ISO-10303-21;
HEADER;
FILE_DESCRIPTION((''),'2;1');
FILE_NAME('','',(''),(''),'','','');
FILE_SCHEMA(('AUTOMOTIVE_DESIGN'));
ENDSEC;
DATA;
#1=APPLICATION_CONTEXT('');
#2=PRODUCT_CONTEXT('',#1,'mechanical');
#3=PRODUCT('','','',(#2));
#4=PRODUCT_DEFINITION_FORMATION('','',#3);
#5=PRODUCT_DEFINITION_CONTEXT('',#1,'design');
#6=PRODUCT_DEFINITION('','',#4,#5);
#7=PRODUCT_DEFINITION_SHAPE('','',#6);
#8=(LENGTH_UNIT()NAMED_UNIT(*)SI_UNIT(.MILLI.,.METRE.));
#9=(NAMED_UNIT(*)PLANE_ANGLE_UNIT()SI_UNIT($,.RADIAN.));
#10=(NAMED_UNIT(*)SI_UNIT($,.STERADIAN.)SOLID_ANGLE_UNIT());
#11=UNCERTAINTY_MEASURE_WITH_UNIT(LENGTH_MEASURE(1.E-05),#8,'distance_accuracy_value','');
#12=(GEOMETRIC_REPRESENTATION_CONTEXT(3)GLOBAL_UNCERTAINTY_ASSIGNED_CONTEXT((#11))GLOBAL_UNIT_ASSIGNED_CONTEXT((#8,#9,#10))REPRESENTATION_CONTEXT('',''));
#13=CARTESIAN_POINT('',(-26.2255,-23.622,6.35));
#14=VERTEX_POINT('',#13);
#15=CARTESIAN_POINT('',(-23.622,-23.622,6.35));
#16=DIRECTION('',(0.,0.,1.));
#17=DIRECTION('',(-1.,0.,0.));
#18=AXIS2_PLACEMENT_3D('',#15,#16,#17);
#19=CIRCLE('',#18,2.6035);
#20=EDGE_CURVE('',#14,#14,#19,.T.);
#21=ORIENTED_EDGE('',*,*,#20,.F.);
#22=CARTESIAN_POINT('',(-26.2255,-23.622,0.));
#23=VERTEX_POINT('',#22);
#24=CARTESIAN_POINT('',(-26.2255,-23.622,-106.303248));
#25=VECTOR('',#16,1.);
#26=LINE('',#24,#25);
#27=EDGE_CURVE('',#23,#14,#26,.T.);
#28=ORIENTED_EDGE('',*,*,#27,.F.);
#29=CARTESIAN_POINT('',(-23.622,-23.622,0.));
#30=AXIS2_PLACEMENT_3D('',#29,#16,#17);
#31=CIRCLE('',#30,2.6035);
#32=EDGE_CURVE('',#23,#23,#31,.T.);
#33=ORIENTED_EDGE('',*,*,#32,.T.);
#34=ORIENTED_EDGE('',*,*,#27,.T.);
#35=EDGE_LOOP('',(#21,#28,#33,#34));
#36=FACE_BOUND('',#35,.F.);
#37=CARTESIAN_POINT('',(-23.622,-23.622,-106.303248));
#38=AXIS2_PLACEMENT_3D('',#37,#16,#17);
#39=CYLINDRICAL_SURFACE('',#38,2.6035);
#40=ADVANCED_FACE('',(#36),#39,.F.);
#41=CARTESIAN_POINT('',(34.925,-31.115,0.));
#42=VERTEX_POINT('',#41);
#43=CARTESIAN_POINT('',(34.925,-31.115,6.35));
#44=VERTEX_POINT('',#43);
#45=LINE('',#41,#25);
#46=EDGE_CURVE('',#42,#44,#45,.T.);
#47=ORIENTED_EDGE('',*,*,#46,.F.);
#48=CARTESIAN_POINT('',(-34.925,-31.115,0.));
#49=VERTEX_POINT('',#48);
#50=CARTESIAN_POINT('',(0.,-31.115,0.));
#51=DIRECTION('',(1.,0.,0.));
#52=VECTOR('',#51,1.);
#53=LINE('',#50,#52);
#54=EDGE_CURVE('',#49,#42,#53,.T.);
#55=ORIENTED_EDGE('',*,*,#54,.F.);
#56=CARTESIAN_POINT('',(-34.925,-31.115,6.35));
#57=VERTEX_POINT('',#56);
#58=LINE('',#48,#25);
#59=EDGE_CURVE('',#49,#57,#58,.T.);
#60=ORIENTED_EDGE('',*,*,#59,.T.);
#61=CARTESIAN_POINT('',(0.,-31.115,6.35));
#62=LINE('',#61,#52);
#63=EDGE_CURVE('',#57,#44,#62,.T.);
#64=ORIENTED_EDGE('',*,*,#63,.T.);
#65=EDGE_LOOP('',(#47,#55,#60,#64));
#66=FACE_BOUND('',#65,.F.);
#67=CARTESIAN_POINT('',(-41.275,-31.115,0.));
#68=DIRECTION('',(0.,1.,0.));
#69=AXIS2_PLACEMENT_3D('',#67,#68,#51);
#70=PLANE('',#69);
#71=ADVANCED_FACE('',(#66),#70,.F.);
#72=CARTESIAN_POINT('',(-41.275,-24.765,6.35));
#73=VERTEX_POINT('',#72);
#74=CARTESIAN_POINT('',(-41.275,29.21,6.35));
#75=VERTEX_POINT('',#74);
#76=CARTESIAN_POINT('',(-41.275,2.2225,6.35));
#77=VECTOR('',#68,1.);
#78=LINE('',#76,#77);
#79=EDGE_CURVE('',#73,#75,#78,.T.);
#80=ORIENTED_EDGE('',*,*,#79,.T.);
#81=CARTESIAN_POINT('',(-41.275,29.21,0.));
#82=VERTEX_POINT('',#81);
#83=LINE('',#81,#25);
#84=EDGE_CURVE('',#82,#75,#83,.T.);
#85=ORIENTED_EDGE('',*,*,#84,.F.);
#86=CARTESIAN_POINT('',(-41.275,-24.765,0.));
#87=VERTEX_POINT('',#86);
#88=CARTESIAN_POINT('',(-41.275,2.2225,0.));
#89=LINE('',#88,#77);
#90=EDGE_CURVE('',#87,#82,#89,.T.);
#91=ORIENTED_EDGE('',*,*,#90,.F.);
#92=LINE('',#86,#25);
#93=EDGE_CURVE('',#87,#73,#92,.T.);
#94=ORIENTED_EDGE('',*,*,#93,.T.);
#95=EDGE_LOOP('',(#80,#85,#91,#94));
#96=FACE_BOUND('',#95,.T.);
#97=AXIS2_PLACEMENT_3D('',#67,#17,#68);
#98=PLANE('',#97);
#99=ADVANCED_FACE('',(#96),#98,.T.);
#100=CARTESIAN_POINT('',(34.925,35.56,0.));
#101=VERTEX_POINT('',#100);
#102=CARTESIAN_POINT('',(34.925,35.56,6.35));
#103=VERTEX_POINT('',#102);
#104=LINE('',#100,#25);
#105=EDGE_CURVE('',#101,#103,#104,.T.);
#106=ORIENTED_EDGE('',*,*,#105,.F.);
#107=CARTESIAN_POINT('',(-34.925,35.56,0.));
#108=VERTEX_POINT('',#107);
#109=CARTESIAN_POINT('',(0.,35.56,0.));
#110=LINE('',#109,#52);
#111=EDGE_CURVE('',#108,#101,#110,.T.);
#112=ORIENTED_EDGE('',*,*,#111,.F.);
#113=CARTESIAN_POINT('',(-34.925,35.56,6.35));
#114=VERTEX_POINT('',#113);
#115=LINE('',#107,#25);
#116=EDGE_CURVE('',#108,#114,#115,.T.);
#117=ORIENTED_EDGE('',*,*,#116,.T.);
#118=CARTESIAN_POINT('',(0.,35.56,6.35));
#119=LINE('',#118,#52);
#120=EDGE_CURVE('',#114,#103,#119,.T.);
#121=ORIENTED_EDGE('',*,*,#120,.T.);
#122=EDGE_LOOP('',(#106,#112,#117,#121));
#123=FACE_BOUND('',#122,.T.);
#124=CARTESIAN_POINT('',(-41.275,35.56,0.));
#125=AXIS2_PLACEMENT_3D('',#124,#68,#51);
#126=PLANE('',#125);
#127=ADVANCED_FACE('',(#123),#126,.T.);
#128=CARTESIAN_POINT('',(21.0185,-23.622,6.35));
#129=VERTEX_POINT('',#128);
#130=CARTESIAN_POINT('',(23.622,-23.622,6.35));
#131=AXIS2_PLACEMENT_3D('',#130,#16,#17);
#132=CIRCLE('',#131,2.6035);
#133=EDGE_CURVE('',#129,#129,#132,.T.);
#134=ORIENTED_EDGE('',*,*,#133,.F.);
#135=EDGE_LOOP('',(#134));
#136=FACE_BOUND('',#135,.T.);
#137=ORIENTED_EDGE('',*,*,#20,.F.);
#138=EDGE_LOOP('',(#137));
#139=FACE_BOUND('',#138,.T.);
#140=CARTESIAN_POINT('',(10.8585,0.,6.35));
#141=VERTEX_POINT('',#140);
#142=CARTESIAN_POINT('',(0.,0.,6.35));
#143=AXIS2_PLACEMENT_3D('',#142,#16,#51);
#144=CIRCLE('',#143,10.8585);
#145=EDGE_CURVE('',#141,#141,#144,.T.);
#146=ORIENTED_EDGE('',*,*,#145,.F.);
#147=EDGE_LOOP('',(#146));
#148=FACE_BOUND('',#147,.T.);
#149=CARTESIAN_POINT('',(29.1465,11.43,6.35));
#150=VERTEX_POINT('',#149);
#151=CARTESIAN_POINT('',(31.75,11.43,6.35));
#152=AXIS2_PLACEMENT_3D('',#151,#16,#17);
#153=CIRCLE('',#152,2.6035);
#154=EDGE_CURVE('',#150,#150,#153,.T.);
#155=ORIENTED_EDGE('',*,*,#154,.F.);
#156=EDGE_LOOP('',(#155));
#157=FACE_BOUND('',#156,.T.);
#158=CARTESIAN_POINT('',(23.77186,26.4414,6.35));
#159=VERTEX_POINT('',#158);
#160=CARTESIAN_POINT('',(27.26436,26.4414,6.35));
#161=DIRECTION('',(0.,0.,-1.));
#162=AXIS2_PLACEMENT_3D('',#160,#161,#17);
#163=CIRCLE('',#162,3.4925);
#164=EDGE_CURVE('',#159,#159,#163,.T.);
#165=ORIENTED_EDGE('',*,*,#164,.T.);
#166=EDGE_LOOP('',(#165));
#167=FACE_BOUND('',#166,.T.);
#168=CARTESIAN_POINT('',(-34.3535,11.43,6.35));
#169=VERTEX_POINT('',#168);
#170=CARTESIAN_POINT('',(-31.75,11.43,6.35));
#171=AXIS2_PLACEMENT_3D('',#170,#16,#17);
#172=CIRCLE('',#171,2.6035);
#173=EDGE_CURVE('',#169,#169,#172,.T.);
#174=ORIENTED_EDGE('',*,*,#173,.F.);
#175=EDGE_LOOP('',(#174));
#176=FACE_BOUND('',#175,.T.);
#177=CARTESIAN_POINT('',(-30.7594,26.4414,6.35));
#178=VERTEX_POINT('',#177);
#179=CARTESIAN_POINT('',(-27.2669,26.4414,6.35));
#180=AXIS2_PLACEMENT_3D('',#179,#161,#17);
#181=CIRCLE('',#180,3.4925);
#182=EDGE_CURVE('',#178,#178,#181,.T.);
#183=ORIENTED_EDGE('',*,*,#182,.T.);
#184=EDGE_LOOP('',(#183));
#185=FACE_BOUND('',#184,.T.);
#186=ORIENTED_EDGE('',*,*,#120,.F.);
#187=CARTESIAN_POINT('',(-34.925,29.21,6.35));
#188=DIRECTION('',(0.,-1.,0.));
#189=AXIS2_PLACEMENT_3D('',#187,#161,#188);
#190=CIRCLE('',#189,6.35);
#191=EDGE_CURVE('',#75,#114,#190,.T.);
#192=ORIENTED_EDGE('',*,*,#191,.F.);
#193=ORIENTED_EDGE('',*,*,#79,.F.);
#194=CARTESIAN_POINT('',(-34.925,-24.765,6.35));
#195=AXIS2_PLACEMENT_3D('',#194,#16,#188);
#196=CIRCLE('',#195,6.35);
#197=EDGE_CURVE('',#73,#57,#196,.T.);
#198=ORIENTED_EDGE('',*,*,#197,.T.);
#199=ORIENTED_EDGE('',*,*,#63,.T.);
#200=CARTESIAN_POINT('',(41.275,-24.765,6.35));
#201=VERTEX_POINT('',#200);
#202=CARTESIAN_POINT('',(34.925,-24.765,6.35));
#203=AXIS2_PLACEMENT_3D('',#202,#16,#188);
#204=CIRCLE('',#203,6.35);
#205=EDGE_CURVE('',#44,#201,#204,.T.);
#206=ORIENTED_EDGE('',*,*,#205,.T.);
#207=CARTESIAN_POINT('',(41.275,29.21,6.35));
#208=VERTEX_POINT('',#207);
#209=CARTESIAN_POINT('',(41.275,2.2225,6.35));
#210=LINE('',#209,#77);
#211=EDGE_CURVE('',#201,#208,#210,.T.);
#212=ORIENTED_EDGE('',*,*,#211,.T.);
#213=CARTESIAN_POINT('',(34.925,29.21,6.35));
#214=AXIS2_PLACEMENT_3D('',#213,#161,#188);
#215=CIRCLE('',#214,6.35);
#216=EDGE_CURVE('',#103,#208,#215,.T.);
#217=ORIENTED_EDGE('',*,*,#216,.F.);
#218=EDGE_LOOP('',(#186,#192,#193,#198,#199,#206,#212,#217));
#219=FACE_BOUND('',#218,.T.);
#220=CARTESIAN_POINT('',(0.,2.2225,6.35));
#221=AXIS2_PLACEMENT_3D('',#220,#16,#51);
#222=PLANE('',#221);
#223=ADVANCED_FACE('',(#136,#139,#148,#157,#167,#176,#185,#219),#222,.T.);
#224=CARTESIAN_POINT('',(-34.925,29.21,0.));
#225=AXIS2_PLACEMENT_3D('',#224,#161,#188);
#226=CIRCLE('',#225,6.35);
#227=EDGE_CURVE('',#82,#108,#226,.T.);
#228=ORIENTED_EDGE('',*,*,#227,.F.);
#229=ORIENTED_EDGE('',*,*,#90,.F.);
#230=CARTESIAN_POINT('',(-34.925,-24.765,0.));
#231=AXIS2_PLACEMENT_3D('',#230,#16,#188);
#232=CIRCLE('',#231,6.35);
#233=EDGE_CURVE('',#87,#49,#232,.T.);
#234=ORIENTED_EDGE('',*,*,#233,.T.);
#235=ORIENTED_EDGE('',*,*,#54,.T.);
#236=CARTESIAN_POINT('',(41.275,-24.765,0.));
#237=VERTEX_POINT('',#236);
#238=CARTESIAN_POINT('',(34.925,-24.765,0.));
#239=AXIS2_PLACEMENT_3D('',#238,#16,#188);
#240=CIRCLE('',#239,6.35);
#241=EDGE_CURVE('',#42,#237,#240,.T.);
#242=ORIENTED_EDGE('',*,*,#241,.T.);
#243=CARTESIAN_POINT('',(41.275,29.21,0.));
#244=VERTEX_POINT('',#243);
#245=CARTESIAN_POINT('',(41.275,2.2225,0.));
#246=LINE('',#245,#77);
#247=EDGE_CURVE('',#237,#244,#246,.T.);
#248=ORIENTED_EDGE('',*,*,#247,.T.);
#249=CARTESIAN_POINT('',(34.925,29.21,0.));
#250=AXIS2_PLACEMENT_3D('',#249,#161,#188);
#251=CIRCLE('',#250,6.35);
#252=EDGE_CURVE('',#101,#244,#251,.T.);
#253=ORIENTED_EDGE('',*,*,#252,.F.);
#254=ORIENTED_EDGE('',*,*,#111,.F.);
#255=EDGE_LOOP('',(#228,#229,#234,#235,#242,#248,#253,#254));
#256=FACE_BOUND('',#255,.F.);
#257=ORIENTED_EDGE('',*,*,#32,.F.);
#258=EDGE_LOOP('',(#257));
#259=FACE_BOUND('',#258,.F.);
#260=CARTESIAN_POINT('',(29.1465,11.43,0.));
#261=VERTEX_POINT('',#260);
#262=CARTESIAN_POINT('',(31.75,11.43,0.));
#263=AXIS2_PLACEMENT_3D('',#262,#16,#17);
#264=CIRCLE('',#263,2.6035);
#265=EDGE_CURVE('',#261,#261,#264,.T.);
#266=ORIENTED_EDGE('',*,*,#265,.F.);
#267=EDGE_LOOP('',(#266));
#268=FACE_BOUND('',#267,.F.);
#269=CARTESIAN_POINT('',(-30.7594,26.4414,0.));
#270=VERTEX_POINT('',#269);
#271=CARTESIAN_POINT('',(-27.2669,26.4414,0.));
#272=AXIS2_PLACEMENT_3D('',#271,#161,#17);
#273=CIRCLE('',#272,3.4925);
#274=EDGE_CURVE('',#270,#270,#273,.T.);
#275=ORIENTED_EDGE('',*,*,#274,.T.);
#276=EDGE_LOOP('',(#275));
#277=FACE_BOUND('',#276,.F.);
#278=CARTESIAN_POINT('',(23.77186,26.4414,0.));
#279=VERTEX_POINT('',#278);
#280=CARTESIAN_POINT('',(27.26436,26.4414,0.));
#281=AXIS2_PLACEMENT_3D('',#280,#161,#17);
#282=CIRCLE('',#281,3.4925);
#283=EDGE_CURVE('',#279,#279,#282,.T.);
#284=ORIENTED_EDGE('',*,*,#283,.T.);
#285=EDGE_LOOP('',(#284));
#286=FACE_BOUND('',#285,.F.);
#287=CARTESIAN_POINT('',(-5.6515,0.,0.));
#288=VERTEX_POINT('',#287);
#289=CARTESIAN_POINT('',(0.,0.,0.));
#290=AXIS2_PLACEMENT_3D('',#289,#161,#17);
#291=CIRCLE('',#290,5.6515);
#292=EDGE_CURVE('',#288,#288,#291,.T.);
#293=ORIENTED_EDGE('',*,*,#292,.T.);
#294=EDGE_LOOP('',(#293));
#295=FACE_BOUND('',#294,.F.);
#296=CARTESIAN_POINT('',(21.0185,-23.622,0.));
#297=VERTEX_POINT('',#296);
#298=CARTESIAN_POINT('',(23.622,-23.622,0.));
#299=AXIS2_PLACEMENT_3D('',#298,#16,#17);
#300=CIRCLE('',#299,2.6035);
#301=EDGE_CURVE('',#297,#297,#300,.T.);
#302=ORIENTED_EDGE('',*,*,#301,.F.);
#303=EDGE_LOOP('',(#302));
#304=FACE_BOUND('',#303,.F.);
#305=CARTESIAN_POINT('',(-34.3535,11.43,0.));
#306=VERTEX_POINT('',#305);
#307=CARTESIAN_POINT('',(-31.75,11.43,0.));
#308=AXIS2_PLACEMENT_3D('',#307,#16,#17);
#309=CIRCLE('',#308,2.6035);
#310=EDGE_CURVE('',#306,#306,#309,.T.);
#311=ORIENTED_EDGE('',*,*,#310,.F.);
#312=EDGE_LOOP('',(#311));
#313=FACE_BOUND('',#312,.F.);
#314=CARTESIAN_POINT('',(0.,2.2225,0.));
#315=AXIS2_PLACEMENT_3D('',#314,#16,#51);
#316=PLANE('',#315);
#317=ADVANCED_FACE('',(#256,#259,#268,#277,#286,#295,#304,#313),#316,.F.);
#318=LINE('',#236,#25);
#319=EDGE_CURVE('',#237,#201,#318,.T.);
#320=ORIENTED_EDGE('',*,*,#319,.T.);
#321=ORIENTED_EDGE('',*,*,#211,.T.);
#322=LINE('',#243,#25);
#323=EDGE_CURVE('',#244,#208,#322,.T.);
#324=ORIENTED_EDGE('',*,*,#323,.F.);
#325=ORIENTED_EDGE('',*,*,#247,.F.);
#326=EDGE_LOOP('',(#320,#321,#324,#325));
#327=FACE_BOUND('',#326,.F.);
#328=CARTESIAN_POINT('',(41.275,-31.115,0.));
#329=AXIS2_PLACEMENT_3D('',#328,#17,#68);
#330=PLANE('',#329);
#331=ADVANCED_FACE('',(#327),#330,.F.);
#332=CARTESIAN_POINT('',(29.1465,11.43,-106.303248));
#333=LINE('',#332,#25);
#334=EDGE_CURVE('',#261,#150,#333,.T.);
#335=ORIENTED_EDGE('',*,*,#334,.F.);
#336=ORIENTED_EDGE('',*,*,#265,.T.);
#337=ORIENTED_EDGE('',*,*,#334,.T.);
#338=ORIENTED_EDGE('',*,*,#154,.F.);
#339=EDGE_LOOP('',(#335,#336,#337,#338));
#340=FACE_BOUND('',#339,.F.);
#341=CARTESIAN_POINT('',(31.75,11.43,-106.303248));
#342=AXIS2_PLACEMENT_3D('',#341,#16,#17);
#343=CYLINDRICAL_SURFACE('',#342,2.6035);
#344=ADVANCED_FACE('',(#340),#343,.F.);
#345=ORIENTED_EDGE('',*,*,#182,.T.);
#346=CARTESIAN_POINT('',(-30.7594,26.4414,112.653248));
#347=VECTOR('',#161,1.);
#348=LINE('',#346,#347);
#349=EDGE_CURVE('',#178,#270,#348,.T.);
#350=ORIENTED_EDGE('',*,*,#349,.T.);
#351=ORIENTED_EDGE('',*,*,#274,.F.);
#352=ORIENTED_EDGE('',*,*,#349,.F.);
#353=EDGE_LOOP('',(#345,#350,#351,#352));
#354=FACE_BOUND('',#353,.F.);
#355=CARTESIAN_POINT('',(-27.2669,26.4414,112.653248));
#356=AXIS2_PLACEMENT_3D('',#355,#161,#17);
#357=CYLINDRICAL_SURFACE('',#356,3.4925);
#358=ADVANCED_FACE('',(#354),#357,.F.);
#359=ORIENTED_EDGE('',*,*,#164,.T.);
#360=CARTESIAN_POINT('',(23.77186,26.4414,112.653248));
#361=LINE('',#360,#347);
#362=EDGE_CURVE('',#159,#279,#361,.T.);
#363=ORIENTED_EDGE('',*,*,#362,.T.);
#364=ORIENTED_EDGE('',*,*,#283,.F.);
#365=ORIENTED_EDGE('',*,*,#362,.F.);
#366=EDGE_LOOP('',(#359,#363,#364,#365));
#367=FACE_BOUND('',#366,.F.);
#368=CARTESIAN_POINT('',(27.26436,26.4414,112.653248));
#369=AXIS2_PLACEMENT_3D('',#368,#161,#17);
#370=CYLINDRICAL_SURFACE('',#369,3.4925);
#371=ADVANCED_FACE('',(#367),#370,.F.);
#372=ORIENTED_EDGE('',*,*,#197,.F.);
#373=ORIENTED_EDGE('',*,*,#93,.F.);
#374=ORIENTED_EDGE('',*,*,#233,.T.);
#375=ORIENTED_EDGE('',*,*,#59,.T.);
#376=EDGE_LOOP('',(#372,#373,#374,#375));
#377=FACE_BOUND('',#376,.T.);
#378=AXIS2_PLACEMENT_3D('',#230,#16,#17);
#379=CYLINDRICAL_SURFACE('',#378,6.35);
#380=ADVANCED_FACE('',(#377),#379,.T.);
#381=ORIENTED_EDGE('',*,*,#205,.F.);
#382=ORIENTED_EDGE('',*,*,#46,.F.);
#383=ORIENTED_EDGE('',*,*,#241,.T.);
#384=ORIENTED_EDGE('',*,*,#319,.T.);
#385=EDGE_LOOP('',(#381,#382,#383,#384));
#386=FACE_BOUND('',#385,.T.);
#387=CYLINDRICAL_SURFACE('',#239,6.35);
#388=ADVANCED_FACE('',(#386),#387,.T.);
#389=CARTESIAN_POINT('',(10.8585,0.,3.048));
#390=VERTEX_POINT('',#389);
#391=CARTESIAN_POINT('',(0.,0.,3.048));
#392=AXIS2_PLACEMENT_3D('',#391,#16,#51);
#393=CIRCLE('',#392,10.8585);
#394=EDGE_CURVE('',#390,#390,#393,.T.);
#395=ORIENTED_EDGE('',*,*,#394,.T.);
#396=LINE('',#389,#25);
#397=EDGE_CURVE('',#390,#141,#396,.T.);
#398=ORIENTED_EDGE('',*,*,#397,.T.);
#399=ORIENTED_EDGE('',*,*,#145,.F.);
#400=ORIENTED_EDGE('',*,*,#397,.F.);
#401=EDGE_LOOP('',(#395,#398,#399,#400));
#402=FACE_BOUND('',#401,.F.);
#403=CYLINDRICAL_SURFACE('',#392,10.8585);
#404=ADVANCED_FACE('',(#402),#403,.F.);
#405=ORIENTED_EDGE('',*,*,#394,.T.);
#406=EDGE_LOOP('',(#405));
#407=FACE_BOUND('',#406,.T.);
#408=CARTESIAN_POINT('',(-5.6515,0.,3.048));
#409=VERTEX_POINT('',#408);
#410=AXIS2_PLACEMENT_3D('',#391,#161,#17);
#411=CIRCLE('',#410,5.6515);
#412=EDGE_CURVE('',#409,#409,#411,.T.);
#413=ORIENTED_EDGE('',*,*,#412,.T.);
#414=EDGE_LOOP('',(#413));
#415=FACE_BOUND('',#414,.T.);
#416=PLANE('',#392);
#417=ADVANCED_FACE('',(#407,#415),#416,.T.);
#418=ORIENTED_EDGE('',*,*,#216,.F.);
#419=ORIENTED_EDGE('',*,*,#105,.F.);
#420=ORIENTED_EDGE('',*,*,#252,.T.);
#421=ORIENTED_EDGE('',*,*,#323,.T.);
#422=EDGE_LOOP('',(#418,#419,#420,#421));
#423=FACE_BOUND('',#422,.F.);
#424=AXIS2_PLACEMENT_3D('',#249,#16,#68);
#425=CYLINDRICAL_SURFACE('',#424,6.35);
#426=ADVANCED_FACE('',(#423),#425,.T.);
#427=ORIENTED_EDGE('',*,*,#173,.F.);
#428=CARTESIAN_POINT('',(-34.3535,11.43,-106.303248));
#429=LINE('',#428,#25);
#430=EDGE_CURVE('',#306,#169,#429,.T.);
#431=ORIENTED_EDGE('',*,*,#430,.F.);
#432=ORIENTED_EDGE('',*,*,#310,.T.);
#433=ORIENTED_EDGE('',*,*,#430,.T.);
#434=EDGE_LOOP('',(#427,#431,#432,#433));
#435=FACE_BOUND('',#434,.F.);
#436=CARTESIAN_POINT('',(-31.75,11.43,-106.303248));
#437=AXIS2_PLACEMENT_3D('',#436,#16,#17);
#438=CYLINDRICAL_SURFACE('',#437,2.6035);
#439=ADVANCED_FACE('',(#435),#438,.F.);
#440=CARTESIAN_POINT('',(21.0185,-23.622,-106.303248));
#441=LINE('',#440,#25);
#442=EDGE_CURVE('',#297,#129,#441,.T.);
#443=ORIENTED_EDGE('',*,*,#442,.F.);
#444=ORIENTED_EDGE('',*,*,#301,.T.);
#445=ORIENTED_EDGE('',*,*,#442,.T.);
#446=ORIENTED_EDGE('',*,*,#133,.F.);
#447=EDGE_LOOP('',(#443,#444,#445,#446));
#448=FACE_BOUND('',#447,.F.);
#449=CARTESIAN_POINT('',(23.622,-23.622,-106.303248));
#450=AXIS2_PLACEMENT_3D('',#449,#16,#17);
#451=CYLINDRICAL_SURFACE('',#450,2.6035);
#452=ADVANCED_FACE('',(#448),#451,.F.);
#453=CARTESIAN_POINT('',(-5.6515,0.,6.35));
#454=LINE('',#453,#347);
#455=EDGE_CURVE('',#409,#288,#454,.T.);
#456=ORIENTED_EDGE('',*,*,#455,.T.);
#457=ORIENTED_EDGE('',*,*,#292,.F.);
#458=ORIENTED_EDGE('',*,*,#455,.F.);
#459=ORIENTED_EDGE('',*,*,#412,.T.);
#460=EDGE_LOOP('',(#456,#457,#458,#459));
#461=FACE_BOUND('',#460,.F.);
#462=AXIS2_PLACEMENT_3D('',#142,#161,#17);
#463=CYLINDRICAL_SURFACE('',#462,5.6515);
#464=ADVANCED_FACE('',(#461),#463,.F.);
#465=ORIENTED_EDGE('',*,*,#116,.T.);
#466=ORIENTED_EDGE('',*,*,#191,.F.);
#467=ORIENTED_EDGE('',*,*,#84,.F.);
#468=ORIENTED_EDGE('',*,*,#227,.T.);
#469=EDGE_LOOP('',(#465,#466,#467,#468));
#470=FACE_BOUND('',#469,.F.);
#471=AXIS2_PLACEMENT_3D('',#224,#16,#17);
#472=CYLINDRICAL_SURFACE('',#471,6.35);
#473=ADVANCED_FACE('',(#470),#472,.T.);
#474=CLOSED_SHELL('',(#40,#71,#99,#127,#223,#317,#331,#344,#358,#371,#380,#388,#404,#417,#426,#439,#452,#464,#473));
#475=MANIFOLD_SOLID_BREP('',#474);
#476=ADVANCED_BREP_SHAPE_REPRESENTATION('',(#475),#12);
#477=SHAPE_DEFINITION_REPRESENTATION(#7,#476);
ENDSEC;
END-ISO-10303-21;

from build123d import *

# Parameters (mm, degrees)
F1_W           = 82.55
F1_H           = 66.675
F2_DEPTH       = 6.35
F4_D           = 11.303
F4_CBORE_D     = 21.717
F4_CBORE_DEPTH = 3.302
F6_D           = 6.985
F7_D           = 6.985
F8_D           = 5.207
F9_R           = 6.35
F11_D          = 5.207


with BuildPart() as f2:
    # F1 (on Top) → F2 (new body)
    with BuildSketch(Plane.XY):
        with Locations((0, 2.2225)):
            Rectangle(F1_W, F1_H)
    extrude(amount=F2_DEPTH)

    # F4 (through all)
    with Locations(Plane.XY.offset(6.35)):
        with Locations((0, 0)):
            CounterBoreHole(F4_D / 2, F4_CBORE_D / 2, F4_CBORE_DEPTH)

    # F6 (through all)
    with Locations(Plane.XY.offset(6.35)):
        with Locations((-27.2669, 26.4414)):
            Hole(F6_D / 2)

    # F7 (through all)
    with Locations(Plane.XY.offset(6.35)):
        with Locations((27.26436, 26.4414)):
            Hole(F7_D / 2)

    # F8 (through all)
    with Locations(Plane(origin=(0, 0, 0), x_dir=(1, 0, 0), z_dir=(0, 0, -1))):
        with Locations((23.622, 23.622), (-23.622, 23.622)):
            Hole(F8_D / 2)

    # F9
    f9_edges = [f2.edges().sort_by_distance(p)[0] for p in [
        (-41.275, -31.115, 3.175),
        (41.275, -31.115, 3.175),
        (41.275, 35.56, 3.175),
        (-41.275, 35.56, 3.175),
    ]]
    fillet(f9_edges, radius=F9_R)

    # F11 (through all)
    with Locations(Plane(origin=(0, 0, 0), x_dir=(1, 0, 0), z_dir=(0, 0, -1))):
        with Locations((-31.75, -11.43), (31.75, -11.43)):
            Hole(F11_D / 2)


solid = f2.part
